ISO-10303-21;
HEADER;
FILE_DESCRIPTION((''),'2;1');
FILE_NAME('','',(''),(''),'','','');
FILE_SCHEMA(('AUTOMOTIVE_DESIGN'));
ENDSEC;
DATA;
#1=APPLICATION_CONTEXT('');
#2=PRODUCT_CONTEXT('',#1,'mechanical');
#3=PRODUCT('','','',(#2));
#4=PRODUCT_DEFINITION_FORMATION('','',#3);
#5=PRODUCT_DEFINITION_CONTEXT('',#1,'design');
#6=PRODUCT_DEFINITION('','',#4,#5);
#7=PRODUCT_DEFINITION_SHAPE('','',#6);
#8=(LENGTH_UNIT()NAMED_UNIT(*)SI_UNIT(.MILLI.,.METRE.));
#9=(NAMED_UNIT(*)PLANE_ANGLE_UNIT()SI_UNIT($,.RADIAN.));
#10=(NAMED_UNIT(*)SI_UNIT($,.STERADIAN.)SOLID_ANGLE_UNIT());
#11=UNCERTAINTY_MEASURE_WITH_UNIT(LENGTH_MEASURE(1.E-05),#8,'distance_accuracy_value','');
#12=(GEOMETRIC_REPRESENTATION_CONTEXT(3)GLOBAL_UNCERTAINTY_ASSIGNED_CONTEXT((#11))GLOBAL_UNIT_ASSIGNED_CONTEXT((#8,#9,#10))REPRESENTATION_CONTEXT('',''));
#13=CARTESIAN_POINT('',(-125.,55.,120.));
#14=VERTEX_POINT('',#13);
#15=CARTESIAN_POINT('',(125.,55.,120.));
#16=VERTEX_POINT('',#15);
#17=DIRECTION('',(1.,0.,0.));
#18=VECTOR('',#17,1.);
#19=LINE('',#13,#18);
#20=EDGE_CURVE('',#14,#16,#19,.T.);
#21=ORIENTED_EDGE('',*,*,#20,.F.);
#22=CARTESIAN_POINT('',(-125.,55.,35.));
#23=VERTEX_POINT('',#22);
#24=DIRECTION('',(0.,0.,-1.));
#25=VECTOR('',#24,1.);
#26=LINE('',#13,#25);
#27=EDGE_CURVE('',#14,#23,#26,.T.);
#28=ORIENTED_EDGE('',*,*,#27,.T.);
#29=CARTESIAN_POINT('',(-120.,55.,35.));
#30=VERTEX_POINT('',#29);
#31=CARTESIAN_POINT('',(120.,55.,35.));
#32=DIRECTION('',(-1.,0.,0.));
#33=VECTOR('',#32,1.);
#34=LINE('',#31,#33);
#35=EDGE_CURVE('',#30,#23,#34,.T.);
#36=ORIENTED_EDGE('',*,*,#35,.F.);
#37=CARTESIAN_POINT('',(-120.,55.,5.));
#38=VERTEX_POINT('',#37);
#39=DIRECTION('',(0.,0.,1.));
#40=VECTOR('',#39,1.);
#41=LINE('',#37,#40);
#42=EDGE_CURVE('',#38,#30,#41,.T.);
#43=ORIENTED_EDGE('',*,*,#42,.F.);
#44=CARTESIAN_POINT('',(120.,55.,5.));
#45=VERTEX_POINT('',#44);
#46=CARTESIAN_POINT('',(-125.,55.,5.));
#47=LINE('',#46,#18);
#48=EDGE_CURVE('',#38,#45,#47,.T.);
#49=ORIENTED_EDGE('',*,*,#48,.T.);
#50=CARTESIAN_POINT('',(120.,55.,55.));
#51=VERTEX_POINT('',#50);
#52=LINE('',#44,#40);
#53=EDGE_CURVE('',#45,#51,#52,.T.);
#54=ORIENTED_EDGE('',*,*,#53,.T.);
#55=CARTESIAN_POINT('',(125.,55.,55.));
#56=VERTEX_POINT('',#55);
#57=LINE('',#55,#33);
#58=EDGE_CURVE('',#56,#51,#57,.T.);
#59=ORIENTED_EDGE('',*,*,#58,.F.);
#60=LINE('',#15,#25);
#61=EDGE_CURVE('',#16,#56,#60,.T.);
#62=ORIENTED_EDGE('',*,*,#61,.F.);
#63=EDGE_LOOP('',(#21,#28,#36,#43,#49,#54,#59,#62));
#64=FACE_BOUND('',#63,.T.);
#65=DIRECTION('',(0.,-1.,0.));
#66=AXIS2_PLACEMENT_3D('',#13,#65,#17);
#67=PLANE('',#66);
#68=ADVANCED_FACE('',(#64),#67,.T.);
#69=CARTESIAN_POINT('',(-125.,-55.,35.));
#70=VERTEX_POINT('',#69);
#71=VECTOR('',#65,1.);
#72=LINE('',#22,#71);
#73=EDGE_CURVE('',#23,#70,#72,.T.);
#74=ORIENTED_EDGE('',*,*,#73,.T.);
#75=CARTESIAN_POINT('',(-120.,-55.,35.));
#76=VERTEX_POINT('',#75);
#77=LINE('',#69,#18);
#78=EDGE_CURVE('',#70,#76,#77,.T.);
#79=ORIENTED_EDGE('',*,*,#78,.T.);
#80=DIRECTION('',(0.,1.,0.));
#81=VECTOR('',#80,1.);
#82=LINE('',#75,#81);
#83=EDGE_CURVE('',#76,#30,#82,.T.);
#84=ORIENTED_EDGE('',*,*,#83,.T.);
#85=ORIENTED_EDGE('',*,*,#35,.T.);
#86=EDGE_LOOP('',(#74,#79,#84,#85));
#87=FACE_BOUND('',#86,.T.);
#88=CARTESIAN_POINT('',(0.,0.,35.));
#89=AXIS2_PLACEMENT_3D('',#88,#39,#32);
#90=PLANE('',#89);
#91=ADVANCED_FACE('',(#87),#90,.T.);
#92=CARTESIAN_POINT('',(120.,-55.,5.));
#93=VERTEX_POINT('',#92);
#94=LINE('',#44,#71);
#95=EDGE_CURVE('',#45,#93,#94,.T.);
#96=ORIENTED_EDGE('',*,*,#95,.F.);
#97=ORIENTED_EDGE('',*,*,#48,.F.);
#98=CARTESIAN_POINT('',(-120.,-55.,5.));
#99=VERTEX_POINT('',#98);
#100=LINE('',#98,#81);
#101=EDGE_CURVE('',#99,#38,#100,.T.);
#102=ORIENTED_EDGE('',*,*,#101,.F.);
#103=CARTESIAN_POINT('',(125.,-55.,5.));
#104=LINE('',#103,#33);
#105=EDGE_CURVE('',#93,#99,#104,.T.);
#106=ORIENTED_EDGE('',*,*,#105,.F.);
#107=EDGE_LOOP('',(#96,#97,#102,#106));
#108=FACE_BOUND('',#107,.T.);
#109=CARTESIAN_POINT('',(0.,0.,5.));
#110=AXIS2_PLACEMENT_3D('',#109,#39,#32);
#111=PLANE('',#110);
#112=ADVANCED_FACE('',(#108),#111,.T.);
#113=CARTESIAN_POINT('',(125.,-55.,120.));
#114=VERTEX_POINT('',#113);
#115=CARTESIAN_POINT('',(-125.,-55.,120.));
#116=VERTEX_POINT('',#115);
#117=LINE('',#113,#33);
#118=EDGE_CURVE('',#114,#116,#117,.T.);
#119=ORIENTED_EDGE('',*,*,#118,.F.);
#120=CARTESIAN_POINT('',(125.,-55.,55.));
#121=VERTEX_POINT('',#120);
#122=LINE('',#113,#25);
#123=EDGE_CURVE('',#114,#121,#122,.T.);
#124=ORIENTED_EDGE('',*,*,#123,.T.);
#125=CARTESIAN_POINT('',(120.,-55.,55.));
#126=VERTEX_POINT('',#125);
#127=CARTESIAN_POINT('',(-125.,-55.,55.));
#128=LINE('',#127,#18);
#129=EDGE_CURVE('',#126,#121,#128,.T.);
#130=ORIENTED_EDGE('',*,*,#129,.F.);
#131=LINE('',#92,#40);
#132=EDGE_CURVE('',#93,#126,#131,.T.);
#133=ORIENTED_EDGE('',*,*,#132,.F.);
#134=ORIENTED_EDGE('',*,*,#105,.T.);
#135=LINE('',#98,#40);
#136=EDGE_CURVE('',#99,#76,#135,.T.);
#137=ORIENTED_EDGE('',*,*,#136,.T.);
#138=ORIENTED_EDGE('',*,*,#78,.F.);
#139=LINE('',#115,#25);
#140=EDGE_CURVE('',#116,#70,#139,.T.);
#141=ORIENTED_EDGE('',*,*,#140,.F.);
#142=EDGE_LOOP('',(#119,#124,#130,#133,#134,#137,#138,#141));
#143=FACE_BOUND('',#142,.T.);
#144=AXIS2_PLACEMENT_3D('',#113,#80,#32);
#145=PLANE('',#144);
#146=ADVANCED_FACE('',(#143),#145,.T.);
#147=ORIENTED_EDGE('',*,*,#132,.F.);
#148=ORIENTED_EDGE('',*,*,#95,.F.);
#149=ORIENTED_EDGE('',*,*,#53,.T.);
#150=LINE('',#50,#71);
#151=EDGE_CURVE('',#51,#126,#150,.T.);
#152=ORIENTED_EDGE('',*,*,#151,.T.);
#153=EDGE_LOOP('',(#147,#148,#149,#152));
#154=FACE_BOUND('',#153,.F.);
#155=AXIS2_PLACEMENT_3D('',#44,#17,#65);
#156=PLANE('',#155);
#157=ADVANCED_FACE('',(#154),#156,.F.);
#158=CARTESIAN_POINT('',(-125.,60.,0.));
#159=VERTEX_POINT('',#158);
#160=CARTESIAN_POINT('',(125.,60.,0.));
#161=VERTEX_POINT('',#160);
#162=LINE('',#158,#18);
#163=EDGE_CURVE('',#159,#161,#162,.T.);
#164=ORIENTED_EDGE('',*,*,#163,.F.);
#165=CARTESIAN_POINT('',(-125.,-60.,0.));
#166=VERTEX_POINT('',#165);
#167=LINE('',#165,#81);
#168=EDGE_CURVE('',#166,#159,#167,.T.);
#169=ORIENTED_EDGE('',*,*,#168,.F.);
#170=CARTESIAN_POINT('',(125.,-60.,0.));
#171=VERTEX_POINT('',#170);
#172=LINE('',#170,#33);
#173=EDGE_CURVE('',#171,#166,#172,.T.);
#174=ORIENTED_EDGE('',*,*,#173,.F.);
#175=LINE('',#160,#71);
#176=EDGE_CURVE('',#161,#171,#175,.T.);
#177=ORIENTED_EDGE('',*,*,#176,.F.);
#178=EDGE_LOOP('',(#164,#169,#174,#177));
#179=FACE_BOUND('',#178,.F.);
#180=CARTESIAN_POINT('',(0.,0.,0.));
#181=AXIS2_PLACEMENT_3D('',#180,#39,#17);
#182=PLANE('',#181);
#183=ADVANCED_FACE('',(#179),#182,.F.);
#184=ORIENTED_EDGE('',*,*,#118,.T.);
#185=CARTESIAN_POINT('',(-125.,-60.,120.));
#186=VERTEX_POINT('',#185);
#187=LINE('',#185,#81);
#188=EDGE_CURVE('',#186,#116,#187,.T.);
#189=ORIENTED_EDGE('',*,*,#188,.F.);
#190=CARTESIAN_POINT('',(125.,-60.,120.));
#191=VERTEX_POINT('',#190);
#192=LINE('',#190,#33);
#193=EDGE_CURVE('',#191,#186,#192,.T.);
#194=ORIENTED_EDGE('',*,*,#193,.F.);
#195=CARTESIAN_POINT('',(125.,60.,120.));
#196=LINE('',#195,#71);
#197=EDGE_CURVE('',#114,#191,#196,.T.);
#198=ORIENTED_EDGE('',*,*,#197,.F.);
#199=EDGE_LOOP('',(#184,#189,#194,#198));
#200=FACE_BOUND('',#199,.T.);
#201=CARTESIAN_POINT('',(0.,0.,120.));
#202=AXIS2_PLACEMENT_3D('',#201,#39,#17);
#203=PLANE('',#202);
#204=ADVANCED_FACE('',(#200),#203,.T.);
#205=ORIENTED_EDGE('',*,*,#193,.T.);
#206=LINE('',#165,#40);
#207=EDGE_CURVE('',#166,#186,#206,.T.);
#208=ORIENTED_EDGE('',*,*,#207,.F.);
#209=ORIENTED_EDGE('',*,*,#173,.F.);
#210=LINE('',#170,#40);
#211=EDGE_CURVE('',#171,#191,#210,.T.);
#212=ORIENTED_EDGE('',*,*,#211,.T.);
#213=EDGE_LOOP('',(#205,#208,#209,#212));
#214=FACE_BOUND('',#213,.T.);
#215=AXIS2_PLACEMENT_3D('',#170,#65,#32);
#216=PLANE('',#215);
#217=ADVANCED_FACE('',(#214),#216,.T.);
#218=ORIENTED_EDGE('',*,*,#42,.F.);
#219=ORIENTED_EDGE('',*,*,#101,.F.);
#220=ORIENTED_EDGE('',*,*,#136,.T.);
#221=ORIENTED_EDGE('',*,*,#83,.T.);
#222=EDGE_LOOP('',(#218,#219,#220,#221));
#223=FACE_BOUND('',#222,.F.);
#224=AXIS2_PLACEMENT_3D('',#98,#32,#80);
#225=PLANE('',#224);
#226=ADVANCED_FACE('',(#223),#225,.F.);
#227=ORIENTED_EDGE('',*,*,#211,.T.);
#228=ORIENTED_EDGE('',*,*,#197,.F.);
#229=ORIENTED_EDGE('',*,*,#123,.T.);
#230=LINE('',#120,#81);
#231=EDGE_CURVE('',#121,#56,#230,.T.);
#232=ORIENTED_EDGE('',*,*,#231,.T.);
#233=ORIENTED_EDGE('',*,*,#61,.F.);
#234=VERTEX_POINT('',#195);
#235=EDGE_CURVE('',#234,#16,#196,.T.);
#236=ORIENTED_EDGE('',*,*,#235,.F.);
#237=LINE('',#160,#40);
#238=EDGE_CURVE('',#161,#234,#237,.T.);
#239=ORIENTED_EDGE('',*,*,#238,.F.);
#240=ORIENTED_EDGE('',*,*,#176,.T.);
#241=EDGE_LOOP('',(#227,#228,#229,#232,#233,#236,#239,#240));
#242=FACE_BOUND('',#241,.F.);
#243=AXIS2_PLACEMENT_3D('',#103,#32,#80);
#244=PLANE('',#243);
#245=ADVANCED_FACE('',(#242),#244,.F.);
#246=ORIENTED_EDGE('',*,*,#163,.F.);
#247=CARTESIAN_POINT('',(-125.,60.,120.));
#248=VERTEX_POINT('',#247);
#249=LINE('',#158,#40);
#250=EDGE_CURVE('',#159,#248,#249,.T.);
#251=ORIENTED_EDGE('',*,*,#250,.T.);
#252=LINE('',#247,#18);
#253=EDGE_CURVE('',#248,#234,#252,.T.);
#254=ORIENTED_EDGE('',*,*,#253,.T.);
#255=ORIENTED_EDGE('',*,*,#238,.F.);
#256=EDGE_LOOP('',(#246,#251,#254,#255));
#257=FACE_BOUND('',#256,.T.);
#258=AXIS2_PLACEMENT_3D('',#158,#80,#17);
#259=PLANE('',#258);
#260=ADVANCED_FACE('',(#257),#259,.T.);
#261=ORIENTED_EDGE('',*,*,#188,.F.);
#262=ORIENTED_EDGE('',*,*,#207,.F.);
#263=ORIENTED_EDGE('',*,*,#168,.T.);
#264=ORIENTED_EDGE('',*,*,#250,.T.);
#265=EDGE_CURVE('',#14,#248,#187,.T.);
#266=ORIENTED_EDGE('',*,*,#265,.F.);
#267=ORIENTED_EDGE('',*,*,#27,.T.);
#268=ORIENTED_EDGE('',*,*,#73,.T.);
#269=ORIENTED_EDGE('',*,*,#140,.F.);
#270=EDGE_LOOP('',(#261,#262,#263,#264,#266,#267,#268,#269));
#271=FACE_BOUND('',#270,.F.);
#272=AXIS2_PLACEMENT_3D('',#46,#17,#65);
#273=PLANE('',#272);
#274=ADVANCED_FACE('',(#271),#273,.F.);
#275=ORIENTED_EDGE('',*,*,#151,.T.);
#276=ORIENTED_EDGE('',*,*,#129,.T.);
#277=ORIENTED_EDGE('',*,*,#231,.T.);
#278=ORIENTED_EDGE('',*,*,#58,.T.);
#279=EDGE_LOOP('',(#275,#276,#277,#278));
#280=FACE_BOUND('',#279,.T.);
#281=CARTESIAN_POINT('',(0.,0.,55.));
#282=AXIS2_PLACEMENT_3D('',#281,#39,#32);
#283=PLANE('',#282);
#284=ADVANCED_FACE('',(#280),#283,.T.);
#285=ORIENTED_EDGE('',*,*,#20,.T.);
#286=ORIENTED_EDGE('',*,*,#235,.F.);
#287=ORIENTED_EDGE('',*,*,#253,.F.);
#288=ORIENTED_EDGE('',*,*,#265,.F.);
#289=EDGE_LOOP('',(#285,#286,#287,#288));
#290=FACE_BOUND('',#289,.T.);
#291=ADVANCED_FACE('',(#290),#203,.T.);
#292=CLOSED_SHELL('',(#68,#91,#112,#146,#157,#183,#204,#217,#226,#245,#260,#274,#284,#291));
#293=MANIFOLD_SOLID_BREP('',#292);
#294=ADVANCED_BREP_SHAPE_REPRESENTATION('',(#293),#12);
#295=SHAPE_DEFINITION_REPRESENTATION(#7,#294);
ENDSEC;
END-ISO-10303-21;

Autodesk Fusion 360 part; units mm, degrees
sketch "スケッチ1" plane through (0, 0, 0) normal (0, 0, 1) x (1, 0, 0)
  line L0 (125, -60) -> (-125, -60)
  line L1 (-125, -60) -> (-125, 60)
  line L2 (-125, 60) -> (125, 60)
  line L3 (125, 60) -> (125, -60)
  line L4 (125, -60) -> (-125, 60) construction
  line L5 (-125, -60) -> (125, 60) construction
  dimension "d1" = 250
  dimension "d2" = 120
extrude "押し出し1" add sketch "スケッチ1" along normal blind 120
sketch "スケッチ2" plane through (0, 0, 120) normal (0, 0, 1) x (-1, 0, 0)
  line L0 (-125, -60) -> (125, -60)
  line L1 (125, -60) -> (125, 60)
  line L2 (125, 60) -> (-125, 60)
  line L3 (-125, 60) -> (-125, -60)
  line L4 (-125, 55) -> (125, 55)
  line L5 (125, 55) -> (125, -55)
  line L6 (125, -55) -> (-125, -55)
  line L7 (-125, -55) -> (-125, 55)
  line L8 (-125, 55) -> (125, -55) construction
  line L9 (125, 55) -> (-125, -55) construction
  dimension "d5" = 250
  dimension "d6" = 110
extrude "押し出し2" cut sketch "スケッチ2" against normal blind 115 contours L1 L3 L4 L5 L6 L7
sketch "スケッチ3" plane through (0, 0, 5) normal (0, 0, 1) x (-1, 0, 0)
  line L0 (-125, -55) -> (125, -55)
  line L1 (125, -55) -> (125, 55)
  line L2 (125, 55) -> (-125, 55)
  line L3 (-125, 55) -> (-125, -55)
  line L4 (-125, -55) -> (-120, -55)
  line L5 (-120, -55) -> (-120, 55)
  line L6 (-120, 55) -> (-125, 55)
  line L7 (-125, 55) -> (-125, -55)
extrude "押し出し3" add sketch "スケッチ3" along normal blind 50 contours L0 L2 L3 L4 L5 L6 L7
sketch "スケッチ4" plane through (0, 0, 5) normal (0, 0, 1) x (-1, 0, 0)
  line L0 (-120, 55) -> (-120, -55)
  line L1 (-120, -55) -> (125, -55)
  line L2 (125, -55) -> (125, 55)
  line L3 (125, 55) -> (-120, 55)
  line L4 (120, -55) -> (125, -55)
  line L5 (125, -55) -> (125, 55)
  line L6 (125, 55) -> (120, 55)
  line L7 (120, 55) -> (120, -55)
extrude "押し出し4" add sketch "スケッチ4" along normal blind 30 contours L1 L2 L3 L4 L5 L6 L7
